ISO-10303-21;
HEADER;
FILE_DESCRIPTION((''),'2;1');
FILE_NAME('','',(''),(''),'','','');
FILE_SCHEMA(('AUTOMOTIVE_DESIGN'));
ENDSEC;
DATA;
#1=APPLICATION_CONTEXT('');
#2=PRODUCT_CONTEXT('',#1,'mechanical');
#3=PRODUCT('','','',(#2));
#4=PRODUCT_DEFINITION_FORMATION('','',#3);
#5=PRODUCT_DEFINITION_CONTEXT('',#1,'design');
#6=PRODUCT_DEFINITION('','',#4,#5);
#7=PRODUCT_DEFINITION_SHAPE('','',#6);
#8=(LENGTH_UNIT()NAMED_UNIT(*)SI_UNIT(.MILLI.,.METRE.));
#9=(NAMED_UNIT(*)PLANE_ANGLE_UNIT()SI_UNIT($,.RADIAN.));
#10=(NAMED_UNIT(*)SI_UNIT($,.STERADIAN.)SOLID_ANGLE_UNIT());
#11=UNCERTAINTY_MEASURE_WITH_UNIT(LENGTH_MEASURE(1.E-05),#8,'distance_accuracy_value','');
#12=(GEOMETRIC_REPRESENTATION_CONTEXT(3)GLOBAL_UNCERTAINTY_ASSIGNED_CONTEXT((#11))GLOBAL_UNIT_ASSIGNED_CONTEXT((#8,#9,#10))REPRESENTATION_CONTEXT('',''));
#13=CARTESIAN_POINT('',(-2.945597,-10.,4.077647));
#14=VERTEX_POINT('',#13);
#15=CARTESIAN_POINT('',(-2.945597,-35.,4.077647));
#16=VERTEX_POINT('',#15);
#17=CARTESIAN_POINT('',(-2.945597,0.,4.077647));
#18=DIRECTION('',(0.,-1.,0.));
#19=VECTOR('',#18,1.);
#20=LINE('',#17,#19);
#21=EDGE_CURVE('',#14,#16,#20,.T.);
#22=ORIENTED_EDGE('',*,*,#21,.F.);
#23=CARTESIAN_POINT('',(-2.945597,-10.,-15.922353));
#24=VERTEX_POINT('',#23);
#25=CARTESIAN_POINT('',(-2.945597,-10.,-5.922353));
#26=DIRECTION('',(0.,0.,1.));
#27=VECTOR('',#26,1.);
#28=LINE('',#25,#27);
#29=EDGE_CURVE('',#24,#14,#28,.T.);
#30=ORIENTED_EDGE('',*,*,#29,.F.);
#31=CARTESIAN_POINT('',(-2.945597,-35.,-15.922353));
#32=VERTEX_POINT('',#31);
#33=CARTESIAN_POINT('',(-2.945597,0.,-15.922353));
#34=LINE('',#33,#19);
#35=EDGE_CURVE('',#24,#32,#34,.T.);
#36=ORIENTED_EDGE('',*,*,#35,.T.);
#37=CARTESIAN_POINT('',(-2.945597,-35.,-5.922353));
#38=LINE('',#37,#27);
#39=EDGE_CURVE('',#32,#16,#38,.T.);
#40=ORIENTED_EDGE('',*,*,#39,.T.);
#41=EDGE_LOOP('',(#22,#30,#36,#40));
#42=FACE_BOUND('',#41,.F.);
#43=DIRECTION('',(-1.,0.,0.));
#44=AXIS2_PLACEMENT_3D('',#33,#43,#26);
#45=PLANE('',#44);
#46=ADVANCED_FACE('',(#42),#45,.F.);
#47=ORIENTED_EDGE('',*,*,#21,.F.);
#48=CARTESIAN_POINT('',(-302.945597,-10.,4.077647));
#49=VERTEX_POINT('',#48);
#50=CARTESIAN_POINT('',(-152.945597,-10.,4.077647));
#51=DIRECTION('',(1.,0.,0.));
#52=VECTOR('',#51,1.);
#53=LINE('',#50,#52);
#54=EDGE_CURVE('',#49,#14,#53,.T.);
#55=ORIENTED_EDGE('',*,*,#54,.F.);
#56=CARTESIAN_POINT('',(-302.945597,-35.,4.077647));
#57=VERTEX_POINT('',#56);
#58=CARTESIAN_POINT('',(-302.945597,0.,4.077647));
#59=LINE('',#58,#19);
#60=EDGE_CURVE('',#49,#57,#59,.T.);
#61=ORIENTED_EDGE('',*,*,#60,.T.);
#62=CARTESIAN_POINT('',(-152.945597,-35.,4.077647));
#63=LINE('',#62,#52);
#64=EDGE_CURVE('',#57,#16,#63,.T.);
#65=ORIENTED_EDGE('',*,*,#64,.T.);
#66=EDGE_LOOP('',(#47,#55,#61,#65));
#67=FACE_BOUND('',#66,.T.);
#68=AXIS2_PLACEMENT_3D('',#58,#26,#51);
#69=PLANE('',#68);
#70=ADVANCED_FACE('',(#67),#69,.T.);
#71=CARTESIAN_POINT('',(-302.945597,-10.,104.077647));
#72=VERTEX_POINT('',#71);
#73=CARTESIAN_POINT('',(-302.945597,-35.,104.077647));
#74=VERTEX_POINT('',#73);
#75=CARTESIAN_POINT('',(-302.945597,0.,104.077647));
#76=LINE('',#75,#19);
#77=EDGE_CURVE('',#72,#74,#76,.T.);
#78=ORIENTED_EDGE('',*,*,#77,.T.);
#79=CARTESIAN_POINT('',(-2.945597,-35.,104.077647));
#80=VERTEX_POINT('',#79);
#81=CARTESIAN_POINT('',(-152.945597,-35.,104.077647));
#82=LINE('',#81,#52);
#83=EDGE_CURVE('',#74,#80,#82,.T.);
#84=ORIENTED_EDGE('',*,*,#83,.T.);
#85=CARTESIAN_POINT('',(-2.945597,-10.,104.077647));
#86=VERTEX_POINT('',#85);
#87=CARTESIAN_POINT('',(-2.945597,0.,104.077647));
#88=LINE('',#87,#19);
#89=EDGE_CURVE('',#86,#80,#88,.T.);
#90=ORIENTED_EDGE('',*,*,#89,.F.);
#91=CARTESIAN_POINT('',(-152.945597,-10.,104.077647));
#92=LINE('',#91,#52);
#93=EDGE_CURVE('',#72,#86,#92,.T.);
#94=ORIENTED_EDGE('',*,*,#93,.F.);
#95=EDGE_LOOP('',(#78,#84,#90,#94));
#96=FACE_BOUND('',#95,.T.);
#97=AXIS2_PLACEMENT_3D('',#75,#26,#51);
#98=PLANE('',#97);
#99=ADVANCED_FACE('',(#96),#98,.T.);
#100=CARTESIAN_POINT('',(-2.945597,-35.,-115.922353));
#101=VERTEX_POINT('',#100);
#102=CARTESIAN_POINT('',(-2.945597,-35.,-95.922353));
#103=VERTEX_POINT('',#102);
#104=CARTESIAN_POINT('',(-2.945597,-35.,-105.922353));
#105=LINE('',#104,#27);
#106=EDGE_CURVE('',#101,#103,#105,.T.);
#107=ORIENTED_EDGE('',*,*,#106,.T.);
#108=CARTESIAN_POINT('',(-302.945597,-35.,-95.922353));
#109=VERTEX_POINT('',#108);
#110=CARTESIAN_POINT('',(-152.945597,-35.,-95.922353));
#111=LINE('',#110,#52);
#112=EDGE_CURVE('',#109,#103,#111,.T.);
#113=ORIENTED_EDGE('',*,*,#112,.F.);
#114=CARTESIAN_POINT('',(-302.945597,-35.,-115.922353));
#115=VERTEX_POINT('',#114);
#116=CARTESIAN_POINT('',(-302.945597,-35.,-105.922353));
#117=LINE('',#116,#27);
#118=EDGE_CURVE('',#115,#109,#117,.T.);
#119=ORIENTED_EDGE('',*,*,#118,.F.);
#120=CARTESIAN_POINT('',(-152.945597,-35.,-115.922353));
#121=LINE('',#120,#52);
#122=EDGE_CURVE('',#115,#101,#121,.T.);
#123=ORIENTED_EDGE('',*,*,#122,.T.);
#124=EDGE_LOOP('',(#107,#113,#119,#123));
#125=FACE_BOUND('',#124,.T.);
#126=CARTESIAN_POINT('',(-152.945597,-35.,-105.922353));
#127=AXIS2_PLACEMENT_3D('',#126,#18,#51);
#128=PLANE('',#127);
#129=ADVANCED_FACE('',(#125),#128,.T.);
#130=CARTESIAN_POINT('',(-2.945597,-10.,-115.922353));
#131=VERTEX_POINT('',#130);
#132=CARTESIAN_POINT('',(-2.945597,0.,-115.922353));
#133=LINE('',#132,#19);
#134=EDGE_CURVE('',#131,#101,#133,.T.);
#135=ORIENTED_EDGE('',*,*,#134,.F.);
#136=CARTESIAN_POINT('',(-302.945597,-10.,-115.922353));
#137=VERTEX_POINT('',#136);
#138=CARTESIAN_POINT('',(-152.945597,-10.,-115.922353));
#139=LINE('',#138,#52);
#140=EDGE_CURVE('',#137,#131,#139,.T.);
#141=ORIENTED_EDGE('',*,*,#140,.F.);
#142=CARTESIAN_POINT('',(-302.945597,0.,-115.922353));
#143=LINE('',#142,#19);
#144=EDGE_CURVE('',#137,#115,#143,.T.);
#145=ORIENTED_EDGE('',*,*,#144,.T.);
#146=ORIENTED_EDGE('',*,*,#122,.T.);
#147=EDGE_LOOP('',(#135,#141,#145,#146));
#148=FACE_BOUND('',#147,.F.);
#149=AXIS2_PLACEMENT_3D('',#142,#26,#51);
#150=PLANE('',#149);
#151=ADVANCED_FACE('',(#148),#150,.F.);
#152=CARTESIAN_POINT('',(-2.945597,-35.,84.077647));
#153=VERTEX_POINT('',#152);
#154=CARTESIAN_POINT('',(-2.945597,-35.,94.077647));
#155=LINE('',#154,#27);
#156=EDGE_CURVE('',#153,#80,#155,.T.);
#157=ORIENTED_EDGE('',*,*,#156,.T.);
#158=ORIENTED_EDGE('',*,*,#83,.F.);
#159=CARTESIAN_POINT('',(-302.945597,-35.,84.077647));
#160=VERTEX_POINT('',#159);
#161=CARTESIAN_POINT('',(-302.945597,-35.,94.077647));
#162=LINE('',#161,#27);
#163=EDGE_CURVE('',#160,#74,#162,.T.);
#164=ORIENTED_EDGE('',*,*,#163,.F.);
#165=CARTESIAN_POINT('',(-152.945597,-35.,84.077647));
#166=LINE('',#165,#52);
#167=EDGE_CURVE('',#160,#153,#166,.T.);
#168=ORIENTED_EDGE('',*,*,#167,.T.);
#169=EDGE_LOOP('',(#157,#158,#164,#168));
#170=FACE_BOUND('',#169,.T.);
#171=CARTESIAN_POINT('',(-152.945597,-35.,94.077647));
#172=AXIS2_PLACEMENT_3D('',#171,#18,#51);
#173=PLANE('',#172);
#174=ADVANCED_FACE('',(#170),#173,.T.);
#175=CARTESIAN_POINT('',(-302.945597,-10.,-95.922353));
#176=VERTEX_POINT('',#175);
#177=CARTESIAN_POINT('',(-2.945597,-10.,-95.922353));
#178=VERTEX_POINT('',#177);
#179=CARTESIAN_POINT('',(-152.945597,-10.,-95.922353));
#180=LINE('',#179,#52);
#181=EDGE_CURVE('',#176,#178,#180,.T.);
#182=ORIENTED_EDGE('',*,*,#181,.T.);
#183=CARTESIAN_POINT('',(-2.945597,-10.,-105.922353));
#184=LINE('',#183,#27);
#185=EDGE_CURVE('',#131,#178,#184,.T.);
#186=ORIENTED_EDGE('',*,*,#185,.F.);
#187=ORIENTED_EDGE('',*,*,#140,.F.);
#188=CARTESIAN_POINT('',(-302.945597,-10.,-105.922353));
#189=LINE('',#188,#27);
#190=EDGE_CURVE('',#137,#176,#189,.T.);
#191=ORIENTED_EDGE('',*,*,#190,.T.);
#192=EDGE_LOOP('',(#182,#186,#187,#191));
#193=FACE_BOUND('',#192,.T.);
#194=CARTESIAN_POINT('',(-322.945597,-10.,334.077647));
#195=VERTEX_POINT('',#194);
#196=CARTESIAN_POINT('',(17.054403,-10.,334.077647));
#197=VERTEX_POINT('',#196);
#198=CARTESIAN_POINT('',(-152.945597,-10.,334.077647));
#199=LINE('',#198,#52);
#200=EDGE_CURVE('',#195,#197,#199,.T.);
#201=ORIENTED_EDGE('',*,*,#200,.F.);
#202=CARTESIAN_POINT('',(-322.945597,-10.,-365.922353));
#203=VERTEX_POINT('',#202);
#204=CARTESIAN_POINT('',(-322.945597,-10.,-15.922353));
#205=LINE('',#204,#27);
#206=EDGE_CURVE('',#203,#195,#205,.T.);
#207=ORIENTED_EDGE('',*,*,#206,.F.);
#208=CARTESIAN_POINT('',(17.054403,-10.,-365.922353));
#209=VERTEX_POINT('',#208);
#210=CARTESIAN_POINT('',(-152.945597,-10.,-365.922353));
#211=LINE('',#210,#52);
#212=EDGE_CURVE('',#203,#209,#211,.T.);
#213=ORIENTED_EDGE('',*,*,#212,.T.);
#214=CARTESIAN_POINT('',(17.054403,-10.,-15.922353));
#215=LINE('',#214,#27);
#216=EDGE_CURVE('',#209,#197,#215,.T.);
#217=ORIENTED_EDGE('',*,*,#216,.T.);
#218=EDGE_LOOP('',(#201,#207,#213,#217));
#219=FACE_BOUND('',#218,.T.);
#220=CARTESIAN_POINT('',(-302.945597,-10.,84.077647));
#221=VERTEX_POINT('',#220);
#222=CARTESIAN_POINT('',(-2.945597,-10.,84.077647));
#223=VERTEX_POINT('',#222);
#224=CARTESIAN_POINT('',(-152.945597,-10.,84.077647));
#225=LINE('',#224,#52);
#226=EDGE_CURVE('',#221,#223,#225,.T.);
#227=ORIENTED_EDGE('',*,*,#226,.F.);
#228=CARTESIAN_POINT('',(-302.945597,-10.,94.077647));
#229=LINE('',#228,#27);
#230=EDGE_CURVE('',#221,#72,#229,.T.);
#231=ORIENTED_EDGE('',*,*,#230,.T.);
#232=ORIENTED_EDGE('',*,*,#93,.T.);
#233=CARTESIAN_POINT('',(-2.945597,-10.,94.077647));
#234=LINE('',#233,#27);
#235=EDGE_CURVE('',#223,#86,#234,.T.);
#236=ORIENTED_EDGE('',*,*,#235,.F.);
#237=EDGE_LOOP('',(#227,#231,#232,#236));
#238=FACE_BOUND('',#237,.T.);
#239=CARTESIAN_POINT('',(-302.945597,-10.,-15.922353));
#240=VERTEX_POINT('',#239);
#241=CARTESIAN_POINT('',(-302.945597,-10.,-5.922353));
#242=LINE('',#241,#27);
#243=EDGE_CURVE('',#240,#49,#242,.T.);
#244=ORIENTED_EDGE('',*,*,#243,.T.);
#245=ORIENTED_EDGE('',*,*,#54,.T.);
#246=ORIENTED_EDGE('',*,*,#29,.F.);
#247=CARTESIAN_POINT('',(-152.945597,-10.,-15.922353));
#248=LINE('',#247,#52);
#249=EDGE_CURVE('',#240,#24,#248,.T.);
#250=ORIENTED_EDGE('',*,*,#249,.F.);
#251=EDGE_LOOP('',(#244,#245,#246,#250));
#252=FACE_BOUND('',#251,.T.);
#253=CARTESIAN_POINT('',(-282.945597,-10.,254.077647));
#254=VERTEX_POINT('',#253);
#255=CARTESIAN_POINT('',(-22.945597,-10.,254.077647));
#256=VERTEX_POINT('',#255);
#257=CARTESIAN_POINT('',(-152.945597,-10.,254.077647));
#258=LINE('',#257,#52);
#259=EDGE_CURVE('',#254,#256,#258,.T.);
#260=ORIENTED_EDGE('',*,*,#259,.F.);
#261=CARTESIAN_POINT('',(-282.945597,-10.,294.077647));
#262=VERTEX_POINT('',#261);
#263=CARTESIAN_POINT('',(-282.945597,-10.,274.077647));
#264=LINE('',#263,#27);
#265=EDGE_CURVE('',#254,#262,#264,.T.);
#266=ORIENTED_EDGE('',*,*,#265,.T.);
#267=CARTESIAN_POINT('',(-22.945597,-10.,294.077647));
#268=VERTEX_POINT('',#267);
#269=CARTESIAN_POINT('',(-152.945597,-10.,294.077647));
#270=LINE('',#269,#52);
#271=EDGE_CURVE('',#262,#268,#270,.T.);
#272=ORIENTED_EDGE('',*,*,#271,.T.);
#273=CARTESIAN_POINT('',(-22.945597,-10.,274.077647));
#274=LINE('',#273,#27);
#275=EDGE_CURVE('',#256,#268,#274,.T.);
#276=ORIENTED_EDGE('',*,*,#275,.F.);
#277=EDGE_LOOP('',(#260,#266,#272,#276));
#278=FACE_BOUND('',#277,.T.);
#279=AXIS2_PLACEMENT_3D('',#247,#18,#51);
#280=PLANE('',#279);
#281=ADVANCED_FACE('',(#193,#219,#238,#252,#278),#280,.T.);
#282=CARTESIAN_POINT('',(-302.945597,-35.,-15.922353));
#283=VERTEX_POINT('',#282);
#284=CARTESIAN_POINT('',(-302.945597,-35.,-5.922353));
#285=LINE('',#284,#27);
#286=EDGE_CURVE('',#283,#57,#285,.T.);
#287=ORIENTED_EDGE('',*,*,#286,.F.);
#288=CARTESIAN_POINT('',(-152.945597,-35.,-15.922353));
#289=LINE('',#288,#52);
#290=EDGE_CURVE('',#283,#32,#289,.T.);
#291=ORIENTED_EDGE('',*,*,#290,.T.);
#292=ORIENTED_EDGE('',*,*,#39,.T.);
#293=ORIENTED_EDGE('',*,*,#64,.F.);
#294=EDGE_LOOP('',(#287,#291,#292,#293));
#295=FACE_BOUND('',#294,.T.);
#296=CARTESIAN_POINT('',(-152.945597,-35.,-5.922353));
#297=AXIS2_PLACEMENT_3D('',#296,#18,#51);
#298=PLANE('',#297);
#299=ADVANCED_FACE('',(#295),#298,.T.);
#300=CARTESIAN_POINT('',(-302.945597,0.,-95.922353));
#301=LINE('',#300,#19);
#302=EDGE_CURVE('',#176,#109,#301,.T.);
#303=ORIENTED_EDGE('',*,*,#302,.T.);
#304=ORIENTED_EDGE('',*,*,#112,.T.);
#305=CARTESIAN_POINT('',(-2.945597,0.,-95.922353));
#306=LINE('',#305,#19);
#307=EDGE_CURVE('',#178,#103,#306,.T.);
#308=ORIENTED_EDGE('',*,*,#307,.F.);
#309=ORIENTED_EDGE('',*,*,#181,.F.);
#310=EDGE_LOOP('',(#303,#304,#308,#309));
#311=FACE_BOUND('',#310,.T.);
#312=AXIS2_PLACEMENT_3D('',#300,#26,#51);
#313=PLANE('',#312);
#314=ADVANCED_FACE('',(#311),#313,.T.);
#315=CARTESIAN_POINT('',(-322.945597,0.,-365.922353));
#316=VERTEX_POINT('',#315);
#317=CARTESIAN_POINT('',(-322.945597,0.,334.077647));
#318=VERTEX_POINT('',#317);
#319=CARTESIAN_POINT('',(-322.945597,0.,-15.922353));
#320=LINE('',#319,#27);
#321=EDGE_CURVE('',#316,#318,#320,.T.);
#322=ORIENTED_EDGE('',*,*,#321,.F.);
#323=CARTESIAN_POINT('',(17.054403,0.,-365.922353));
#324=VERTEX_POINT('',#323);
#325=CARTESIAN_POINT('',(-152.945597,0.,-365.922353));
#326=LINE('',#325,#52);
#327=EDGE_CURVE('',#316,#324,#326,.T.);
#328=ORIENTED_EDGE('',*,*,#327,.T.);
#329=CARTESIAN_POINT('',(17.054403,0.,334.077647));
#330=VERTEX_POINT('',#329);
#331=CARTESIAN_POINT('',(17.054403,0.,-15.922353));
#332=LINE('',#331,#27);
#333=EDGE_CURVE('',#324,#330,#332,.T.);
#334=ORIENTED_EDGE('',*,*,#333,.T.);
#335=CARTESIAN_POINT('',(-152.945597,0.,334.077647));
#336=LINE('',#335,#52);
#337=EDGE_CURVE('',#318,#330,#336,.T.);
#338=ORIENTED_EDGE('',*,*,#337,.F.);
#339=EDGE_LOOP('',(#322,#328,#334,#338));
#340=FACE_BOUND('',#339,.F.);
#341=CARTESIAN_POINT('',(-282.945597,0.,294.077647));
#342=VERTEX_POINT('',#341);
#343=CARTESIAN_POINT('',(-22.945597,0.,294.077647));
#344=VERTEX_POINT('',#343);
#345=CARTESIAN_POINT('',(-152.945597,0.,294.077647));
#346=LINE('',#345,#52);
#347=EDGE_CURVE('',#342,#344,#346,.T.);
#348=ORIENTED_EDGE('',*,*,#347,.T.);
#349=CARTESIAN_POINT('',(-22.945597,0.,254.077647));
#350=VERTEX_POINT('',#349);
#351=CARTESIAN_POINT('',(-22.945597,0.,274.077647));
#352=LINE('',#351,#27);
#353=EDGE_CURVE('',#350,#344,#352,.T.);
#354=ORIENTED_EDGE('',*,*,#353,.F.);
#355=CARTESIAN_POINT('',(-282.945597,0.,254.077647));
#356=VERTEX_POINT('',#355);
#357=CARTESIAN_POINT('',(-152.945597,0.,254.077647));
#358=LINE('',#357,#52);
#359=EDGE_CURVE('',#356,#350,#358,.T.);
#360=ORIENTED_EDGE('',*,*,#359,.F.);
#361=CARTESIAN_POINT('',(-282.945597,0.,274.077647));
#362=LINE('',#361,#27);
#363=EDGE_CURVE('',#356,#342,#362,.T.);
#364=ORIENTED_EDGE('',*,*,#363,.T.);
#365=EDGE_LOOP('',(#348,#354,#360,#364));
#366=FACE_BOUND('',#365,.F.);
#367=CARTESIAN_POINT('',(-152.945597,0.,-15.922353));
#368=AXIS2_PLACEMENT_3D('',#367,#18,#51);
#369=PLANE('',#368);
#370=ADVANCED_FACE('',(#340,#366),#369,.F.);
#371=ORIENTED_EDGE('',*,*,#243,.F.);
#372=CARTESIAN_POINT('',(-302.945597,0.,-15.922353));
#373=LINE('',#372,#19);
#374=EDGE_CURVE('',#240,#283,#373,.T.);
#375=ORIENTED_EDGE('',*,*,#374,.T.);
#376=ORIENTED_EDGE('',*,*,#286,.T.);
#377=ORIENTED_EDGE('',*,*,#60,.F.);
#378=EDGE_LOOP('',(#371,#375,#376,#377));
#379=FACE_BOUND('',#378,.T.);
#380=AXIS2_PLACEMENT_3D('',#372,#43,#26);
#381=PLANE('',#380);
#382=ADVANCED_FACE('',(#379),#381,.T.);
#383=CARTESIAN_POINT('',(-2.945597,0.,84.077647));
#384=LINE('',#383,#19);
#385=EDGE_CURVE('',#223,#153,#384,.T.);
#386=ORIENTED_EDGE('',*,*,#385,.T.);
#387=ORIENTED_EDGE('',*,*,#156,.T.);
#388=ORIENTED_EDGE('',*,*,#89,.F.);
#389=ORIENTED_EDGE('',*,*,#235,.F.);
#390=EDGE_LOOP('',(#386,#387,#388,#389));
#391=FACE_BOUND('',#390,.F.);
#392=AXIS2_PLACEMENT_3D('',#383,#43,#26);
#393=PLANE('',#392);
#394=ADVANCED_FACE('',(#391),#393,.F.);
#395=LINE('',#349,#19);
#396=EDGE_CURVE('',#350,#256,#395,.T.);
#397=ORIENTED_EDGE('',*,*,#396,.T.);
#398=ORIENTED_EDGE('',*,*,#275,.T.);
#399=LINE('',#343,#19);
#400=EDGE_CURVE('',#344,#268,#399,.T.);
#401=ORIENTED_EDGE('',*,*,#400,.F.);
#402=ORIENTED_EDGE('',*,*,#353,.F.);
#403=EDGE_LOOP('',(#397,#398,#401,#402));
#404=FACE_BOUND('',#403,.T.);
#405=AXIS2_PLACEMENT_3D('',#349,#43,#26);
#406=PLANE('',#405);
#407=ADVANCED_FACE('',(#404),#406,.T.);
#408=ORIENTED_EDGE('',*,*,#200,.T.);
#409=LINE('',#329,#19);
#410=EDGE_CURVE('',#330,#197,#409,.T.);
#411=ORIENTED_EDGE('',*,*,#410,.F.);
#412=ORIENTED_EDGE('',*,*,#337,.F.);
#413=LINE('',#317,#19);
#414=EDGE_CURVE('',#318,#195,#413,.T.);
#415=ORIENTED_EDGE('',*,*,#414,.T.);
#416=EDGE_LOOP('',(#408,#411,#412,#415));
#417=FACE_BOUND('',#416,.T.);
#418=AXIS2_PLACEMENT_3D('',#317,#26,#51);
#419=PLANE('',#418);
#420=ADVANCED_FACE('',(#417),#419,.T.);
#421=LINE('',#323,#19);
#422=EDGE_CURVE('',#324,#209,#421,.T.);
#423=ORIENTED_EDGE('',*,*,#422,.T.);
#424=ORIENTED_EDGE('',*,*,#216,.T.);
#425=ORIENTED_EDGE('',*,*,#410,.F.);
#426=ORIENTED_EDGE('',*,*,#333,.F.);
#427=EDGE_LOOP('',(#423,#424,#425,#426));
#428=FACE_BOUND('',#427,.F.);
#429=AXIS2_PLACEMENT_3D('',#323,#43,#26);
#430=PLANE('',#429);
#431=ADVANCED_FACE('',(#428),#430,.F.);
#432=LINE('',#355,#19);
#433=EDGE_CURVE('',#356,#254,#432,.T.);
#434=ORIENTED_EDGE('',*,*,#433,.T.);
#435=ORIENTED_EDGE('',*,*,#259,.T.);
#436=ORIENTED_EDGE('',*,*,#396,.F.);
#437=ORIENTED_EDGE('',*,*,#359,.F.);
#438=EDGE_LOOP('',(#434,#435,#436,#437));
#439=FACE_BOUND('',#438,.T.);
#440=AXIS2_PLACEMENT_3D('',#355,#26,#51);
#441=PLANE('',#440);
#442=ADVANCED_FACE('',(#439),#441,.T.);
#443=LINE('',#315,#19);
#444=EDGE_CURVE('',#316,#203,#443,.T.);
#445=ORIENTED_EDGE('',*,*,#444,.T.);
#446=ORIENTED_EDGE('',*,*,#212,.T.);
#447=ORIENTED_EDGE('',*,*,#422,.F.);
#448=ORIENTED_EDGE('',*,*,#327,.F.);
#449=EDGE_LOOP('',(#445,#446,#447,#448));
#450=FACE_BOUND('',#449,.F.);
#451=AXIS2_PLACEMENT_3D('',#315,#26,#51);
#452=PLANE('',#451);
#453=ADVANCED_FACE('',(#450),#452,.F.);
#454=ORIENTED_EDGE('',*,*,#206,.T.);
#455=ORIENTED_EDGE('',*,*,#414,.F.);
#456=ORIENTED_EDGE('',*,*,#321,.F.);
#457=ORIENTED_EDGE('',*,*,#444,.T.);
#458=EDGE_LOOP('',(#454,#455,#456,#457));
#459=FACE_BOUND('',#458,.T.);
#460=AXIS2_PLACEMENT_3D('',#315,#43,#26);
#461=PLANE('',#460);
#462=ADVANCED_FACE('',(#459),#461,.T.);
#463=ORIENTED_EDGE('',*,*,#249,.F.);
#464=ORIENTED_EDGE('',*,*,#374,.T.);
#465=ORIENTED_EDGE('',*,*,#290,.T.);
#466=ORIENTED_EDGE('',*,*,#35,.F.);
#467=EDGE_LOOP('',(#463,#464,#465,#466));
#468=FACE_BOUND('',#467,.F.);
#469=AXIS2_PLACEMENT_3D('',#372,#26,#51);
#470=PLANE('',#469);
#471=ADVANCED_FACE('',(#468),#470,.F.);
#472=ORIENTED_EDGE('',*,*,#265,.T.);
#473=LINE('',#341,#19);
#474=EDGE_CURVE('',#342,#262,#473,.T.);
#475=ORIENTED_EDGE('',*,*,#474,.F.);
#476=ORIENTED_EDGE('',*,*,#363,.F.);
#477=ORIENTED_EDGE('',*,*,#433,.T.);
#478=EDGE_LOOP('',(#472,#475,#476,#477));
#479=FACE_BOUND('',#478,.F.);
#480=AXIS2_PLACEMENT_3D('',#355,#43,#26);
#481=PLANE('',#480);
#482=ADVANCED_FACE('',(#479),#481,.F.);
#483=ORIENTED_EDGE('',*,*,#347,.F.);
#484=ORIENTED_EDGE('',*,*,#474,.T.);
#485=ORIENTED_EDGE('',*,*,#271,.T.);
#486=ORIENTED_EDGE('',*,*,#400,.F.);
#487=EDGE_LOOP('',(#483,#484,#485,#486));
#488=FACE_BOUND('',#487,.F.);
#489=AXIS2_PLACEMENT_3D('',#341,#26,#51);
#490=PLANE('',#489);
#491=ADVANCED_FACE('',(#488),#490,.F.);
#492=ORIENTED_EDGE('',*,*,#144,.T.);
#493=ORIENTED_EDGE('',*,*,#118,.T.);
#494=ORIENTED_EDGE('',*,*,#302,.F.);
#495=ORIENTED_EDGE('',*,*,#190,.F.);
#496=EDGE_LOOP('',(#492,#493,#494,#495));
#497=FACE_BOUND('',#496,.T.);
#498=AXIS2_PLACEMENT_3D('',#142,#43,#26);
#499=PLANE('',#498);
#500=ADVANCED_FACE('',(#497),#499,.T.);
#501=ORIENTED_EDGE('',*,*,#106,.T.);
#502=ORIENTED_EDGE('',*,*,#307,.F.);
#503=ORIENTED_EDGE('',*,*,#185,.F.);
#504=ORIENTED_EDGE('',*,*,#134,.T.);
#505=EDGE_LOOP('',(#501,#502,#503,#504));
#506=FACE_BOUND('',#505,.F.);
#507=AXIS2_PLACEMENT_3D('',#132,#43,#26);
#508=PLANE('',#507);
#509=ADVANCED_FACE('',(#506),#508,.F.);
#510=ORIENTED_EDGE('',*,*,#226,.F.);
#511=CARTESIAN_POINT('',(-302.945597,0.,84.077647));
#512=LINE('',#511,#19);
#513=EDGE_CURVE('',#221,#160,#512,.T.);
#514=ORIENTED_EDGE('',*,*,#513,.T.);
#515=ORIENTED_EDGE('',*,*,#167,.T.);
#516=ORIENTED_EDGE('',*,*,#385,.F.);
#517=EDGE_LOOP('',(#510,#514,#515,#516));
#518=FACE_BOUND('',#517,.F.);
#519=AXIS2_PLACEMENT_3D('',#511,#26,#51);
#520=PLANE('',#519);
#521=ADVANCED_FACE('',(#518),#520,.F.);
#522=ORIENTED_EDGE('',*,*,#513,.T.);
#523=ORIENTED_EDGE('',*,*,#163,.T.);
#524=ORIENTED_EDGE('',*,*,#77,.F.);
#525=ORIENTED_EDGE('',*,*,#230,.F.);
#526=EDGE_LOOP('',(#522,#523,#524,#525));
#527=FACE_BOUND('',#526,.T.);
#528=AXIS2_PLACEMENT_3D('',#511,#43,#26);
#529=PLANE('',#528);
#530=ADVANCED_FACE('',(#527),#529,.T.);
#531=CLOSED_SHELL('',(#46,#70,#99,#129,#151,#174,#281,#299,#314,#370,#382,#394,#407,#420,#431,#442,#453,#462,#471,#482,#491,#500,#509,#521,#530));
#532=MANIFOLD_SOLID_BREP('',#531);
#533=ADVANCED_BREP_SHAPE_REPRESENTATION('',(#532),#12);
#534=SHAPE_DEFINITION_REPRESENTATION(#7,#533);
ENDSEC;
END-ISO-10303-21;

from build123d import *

# Parameters (mm, degrees)
F0_W     = 340
F0_H     = 700
F0_W_2   = 300
F0_H_2   = 20
F0_W_3   = 260
F0_H_3   = 40
F1_DEPTH = 10
F2_DEPTH = 35


with BuildPart() as f1:
    # F0 (on Front) → F1 (new body)
    with BuildSketch(Plane.XZ):
        with Locations((-152.945597, -15.922353)):
            Rectangle(F0_W, F0_H)
        with Locations((-152.945597, -105.922353)):
            Rectangle(F0_W_2, F0_H_2, mode=Mode.SUBTRACT)
        with Locations((-152.945597, 274.077647)):
            Rectangle(F0_W_3, F0_H_3, mode=Mode.SUBTRACT)
        with Locations((-152.945597, -5.922353)):
            Rectangle(F0_W_2, F0_H_2, mode=Mode.SUBTRACT)
        with Locations((-152.945597, 94.077647)):
            Rectangle(F0_W_2, F0_H_2, mode=Mode.SUBTRACT)
    extrude(amount=F1_DEPTH)

    # F0 (on Front) → F2 (join)
    with BuildSketch(Plane.XZ):
        with Locations((-152.945597, 94.077647)):
            Rectangle(F0_W_2, F0_H_2)
        with Locations((-152.945597, -5.922353)):
            Rectangle(F0_W_2, F0_H_2)
        with Locations((-152.945597, -105.922353)):
            Rectangle(F0_W_2, F0_H_2)
    extrude(amount=F2_DEPTH)


solid = f1.part
